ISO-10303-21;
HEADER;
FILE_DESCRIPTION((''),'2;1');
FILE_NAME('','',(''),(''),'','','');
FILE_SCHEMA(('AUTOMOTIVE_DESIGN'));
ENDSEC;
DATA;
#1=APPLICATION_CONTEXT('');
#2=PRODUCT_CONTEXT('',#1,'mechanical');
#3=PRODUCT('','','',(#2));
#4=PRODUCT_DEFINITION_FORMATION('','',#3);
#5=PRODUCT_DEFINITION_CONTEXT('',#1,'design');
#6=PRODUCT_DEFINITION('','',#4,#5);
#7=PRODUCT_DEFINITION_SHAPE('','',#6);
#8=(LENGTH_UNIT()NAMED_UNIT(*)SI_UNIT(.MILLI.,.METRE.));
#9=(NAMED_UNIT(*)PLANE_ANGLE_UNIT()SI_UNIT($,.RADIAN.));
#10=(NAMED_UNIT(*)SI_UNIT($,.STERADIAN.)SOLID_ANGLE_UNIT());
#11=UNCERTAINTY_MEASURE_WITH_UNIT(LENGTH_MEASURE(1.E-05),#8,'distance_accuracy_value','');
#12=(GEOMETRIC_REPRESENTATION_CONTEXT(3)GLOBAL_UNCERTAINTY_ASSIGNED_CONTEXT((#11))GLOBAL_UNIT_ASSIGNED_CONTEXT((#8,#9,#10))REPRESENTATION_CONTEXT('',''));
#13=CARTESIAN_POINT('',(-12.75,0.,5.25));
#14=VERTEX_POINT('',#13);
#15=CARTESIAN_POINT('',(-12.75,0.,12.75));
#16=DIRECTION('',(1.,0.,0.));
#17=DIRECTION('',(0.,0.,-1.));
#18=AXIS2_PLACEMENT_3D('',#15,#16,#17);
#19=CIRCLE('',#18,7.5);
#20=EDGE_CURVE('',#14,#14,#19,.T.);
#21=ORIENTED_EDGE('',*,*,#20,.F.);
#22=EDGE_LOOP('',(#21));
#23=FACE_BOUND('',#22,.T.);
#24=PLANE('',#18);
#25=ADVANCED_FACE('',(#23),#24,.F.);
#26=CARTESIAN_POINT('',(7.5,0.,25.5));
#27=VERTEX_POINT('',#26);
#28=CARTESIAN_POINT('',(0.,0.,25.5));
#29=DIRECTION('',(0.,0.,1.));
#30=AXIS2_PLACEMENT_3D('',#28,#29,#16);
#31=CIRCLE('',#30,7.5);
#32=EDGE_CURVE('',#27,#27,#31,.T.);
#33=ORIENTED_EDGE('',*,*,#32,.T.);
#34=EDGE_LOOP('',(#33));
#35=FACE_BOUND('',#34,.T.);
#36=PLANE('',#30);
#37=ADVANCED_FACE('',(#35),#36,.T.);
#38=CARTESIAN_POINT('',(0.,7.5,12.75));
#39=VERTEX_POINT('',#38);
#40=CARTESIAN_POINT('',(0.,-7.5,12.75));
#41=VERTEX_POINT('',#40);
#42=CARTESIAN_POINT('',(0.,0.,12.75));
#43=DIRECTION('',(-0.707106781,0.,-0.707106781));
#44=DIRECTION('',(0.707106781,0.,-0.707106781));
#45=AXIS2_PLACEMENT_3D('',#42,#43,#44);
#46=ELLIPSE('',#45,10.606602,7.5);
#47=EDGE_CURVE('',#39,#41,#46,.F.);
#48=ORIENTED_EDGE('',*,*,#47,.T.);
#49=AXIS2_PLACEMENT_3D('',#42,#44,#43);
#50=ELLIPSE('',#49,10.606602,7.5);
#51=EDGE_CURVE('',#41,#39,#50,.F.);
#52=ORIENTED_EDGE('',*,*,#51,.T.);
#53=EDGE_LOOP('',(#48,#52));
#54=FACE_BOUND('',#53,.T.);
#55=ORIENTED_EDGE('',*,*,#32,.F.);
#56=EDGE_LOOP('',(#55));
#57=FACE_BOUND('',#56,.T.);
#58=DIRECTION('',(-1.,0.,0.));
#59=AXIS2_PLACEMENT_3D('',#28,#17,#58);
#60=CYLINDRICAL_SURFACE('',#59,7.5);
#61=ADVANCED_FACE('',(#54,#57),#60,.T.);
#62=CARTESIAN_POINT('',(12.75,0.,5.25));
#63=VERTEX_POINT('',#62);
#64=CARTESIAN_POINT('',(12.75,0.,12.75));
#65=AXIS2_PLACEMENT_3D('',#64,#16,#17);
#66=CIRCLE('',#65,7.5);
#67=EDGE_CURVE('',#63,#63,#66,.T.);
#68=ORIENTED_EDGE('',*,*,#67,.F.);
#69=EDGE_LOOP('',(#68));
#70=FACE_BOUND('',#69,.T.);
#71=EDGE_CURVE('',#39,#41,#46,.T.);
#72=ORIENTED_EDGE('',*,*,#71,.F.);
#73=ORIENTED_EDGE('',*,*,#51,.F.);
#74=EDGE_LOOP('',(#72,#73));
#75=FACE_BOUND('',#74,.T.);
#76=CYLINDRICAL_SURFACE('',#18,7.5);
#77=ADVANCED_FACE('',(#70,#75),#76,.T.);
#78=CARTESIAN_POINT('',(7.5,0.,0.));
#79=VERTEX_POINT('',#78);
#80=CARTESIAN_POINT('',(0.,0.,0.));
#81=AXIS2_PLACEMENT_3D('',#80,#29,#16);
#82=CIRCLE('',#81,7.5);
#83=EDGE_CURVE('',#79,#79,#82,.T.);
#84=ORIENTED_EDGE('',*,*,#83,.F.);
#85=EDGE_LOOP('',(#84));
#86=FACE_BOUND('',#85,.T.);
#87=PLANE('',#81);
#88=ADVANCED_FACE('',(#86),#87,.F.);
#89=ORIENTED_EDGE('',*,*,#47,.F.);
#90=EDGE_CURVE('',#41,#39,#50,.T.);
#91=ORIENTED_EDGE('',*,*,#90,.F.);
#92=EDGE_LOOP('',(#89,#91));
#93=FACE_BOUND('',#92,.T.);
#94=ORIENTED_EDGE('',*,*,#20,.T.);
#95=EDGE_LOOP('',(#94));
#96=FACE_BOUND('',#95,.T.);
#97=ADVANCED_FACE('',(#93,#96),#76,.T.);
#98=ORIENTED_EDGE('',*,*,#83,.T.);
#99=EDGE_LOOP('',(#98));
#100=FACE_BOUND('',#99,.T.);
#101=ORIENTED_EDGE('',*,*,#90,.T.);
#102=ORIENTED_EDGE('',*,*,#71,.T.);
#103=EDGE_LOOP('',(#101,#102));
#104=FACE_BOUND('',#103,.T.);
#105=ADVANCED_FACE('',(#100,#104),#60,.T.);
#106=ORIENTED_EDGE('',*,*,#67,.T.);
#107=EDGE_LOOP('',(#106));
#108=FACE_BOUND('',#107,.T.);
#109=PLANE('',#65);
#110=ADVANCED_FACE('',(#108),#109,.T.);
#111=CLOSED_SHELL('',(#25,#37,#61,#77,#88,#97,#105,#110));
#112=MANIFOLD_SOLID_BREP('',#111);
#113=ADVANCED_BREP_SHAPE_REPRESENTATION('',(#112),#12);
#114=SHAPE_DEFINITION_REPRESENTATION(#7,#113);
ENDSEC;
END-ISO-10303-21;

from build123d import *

# Parameters (mm, degrees)
SKETCH1_R                = 7.5
BOSS_EXTRUDE1_DEPTH      = 25.5
BOSS_EXTRUDE2_DEPTH      = 12.75
BOSS_EXTRUDE2_DEPTH_BACK = 12.75
SKETCH2_R                = 7.5


with BuildPart() as part:
    # Sketch1 → Boss-Extrude1 (new body)
    with BuildSketch(Plane.XY):
        Circle(SKETCH1_R)
    extrude(amount=BOSS_EXTRUDE1_DEPTH)

    # Sketch2 → Boss-Extrude2 (add, two sides: drawn at the far end of the back side and taken through both)
    with BuildSketch(Plane(origin=(0, 0, 0), x_dir=(0, 0, -1), z_dir=(1, 0, 0)).offset(-BOSS_EXTRUDE2_DEPTH_BACK)):
        with Locations((-12.75, 0)):
            Circle(SKETCH2_R)
    extrude(amount=BOSS_EXTRUDE2_DEPTH + BOSS_EXTRUDE2_DEPTH_BACK)


solid = part.part
